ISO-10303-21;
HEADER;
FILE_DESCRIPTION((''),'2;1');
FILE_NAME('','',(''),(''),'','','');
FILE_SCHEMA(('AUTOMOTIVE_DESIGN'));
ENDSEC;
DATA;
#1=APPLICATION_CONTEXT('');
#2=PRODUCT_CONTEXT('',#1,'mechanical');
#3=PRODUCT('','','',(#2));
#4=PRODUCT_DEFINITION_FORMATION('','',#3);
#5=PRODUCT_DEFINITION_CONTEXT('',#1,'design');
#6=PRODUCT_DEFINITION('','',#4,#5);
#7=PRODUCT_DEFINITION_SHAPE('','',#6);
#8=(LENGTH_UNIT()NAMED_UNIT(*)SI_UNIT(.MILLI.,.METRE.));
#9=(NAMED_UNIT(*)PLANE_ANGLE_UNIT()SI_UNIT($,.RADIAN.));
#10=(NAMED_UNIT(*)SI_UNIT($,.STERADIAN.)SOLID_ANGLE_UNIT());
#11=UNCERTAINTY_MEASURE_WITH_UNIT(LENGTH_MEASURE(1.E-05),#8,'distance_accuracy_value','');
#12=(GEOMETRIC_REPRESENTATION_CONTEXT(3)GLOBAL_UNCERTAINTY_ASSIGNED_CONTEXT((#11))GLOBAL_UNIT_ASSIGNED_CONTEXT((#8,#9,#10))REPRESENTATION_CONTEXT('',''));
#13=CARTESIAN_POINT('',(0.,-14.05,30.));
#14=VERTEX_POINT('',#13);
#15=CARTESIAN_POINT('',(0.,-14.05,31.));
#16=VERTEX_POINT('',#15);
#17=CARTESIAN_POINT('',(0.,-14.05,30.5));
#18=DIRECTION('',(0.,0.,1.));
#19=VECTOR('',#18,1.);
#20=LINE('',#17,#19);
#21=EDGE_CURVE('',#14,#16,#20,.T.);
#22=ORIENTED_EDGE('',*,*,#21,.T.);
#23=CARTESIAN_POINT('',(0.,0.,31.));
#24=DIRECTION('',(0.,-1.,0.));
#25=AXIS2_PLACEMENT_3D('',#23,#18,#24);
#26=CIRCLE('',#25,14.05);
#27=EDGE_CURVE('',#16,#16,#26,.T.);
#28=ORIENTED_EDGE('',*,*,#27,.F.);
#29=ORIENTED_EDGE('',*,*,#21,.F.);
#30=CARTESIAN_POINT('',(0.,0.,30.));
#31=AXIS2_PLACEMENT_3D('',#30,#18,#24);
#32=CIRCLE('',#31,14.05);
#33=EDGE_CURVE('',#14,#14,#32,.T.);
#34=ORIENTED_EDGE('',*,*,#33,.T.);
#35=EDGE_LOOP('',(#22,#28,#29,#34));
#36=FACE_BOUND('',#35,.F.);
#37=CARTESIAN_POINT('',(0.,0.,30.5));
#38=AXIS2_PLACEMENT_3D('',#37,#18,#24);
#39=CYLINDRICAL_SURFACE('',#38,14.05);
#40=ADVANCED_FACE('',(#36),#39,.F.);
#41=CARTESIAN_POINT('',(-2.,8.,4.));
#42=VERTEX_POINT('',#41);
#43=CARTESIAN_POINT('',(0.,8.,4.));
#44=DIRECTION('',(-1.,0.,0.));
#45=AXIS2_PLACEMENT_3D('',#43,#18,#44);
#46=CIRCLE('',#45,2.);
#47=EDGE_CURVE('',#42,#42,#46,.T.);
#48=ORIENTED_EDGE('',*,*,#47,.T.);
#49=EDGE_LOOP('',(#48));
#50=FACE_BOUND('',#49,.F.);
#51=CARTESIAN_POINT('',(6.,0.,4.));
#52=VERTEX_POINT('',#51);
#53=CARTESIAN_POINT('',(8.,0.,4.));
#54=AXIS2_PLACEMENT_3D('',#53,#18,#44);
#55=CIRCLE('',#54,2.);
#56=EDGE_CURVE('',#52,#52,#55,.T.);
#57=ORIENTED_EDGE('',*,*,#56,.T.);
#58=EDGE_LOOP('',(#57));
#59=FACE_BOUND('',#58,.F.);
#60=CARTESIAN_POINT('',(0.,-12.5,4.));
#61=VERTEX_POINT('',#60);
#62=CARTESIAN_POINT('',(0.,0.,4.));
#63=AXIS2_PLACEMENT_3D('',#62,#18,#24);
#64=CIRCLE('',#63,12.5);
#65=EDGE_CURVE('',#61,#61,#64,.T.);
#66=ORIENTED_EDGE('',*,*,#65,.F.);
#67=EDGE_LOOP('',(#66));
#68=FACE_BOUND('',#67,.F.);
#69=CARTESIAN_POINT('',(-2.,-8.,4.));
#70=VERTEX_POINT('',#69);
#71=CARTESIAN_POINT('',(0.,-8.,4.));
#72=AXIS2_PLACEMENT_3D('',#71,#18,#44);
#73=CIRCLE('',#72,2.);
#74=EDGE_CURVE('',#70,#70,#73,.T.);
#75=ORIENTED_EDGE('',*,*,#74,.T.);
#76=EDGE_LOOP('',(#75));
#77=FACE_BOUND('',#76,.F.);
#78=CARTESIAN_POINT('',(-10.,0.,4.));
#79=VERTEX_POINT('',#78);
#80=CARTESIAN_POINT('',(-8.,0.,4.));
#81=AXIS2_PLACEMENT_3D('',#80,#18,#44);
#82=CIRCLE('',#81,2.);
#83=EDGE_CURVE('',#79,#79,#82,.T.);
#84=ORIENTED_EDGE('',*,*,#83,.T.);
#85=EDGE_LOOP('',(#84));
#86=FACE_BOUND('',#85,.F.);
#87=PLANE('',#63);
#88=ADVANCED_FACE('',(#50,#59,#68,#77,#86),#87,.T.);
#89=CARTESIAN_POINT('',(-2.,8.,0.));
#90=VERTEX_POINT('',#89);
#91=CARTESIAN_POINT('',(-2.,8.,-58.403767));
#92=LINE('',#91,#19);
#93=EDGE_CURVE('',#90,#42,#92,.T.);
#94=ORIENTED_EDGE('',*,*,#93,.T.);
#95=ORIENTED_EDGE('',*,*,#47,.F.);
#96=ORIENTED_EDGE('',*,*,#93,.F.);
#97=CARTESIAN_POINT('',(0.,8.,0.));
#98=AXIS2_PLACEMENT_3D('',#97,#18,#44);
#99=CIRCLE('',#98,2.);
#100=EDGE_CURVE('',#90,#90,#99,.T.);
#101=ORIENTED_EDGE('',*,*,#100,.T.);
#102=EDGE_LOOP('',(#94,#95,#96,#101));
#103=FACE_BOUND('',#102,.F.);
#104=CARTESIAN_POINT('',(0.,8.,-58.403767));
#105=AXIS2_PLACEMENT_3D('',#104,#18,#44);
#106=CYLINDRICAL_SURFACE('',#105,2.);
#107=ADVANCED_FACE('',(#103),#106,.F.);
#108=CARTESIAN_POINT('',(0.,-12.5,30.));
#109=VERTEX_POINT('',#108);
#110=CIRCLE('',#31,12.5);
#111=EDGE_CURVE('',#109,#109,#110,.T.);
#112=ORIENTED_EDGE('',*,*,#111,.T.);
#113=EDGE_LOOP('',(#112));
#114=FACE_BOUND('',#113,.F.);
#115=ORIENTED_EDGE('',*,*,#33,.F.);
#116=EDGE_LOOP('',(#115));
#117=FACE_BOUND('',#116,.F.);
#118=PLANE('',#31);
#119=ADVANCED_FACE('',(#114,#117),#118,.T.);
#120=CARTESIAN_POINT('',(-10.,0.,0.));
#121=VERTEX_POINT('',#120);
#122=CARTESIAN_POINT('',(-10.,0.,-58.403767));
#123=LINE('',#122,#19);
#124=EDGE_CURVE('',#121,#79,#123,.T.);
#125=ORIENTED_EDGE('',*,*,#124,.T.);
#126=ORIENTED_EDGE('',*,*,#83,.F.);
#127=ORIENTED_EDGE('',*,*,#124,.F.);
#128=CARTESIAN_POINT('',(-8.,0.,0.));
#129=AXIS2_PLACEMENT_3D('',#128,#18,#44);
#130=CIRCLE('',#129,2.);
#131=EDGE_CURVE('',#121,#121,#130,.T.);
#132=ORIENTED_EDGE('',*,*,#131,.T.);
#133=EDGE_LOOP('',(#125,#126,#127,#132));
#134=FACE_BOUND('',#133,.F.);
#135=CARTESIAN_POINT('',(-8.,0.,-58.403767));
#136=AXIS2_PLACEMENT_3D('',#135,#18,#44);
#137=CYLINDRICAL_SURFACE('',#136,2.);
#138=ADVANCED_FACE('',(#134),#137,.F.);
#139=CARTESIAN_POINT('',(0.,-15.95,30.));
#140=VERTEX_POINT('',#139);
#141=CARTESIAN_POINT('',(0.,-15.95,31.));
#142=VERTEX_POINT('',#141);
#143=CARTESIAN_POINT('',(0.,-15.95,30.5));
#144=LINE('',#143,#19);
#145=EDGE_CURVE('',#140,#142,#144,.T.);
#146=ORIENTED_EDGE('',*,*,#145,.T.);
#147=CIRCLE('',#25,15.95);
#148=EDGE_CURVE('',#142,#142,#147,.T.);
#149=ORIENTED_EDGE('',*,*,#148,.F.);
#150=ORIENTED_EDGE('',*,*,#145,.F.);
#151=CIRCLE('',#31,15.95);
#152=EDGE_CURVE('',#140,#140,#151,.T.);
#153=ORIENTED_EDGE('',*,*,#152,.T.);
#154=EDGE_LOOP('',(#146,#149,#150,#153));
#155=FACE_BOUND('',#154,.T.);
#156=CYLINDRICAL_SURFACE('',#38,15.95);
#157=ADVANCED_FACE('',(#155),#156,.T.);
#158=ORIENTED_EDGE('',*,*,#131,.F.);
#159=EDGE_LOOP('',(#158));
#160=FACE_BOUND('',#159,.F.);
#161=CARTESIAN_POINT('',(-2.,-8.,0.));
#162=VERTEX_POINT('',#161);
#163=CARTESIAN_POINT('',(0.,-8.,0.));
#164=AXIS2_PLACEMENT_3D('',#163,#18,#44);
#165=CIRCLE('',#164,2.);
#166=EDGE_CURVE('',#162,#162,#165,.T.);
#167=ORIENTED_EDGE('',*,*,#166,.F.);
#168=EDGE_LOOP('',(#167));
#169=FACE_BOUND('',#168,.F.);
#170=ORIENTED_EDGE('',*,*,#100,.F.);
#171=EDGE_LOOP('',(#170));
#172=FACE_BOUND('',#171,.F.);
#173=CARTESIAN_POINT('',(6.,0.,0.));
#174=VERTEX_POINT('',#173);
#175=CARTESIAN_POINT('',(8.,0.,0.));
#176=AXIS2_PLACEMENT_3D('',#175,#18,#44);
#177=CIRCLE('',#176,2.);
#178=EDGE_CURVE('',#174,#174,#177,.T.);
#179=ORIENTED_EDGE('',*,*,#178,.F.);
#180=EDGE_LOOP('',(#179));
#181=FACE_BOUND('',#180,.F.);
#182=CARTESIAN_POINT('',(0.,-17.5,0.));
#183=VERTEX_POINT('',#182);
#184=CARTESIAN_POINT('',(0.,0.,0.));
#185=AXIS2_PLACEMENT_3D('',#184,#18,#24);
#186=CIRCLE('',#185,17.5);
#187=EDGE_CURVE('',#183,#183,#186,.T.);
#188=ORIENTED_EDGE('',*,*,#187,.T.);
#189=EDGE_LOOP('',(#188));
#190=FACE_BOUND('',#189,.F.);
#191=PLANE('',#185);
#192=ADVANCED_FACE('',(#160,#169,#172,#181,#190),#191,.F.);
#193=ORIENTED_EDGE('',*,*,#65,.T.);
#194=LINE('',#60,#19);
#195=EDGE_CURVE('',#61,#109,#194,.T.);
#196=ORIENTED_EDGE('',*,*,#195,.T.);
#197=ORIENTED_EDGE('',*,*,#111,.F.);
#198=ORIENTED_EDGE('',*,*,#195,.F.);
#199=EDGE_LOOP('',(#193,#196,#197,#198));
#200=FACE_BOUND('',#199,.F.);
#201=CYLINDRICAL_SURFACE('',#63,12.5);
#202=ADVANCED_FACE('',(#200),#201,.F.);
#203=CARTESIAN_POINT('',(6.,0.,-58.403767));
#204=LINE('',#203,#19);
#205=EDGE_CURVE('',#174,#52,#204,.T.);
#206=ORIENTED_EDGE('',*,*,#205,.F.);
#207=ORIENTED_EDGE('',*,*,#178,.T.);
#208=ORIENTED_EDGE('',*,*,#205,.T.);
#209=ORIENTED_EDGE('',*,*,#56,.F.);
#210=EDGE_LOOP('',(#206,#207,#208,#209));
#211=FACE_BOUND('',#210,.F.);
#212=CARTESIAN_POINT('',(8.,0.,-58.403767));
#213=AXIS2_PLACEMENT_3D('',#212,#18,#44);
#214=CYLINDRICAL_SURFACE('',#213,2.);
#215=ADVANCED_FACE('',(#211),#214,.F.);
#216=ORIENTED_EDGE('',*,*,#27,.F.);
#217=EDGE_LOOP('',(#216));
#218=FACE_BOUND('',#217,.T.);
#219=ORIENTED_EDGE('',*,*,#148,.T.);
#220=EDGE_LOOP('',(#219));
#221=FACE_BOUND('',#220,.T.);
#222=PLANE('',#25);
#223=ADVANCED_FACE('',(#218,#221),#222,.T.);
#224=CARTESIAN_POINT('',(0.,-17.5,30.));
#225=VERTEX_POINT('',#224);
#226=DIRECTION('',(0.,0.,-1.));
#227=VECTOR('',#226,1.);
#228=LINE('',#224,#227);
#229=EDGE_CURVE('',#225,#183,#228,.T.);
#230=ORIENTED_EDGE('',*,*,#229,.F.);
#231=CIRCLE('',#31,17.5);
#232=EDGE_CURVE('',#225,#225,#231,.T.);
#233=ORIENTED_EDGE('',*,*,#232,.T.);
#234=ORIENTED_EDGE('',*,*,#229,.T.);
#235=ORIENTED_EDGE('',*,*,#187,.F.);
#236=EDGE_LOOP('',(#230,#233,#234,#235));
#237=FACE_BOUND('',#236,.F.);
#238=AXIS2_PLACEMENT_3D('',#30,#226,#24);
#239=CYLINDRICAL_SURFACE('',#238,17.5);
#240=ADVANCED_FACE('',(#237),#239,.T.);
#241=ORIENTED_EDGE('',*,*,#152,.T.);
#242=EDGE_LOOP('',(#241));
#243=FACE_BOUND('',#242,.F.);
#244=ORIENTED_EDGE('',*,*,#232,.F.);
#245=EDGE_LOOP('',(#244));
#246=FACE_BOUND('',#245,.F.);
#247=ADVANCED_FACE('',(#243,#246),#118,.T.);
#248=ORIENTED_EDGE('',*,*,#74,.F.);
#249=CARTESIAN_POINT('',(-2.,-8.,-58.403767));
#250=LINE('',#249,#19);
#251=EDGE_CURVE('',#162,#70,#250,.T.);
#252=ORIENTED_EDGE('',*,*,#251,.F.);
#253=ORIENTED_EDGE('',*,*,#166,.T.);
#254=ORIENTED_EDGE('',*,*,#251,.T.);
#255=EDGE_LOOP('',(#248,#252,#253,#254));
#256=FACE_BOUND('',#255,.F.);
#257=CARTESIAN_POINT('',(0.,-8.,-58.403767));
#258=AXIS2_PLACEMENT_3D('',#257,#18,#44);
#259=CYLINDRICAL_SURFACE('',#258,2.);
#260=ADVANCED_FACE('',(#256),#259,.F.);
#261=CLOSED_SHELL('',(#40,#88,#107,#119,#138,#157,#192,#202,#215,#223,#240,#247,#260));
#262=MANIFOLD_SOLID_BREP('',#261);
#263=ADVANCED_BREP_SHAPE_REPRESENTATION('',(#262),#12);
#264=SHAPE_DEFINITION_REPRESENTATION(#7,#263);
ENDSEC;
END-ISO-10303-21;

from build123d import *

# Parameters (mm, degrees)
F0_W = 1.9
F0_H = 1
F3_D = 4


with BuildPart() as f1:
    # F0 (on Right) → F1 (revolve)
    with BuildSketch(Plane.YZ):
        Polygon((-17.5, 0), (0, 0), (0, 4), (-12.5, 4), (-12.5, 30), (-14.05, 30), (-15.95, 30), (-17.5, 30), align=None)
        with Locations((-15, 30.5)):
            Rectangle(F0_W, F0_H)
    revolve(axis=Axis((0, 0, 29.047128), (0, 0, 1)))

    # F3 (through all)
    with Locations(Plane(origin=(0, 0, 0), x_dir=(1, 0, 0), z_dir=(0, 0, -1))):
        with Locations((8, 0), (0, 8), (0, -8), (-8, 0)):
            Hole(F3_D / 2)


solid = f1.part
